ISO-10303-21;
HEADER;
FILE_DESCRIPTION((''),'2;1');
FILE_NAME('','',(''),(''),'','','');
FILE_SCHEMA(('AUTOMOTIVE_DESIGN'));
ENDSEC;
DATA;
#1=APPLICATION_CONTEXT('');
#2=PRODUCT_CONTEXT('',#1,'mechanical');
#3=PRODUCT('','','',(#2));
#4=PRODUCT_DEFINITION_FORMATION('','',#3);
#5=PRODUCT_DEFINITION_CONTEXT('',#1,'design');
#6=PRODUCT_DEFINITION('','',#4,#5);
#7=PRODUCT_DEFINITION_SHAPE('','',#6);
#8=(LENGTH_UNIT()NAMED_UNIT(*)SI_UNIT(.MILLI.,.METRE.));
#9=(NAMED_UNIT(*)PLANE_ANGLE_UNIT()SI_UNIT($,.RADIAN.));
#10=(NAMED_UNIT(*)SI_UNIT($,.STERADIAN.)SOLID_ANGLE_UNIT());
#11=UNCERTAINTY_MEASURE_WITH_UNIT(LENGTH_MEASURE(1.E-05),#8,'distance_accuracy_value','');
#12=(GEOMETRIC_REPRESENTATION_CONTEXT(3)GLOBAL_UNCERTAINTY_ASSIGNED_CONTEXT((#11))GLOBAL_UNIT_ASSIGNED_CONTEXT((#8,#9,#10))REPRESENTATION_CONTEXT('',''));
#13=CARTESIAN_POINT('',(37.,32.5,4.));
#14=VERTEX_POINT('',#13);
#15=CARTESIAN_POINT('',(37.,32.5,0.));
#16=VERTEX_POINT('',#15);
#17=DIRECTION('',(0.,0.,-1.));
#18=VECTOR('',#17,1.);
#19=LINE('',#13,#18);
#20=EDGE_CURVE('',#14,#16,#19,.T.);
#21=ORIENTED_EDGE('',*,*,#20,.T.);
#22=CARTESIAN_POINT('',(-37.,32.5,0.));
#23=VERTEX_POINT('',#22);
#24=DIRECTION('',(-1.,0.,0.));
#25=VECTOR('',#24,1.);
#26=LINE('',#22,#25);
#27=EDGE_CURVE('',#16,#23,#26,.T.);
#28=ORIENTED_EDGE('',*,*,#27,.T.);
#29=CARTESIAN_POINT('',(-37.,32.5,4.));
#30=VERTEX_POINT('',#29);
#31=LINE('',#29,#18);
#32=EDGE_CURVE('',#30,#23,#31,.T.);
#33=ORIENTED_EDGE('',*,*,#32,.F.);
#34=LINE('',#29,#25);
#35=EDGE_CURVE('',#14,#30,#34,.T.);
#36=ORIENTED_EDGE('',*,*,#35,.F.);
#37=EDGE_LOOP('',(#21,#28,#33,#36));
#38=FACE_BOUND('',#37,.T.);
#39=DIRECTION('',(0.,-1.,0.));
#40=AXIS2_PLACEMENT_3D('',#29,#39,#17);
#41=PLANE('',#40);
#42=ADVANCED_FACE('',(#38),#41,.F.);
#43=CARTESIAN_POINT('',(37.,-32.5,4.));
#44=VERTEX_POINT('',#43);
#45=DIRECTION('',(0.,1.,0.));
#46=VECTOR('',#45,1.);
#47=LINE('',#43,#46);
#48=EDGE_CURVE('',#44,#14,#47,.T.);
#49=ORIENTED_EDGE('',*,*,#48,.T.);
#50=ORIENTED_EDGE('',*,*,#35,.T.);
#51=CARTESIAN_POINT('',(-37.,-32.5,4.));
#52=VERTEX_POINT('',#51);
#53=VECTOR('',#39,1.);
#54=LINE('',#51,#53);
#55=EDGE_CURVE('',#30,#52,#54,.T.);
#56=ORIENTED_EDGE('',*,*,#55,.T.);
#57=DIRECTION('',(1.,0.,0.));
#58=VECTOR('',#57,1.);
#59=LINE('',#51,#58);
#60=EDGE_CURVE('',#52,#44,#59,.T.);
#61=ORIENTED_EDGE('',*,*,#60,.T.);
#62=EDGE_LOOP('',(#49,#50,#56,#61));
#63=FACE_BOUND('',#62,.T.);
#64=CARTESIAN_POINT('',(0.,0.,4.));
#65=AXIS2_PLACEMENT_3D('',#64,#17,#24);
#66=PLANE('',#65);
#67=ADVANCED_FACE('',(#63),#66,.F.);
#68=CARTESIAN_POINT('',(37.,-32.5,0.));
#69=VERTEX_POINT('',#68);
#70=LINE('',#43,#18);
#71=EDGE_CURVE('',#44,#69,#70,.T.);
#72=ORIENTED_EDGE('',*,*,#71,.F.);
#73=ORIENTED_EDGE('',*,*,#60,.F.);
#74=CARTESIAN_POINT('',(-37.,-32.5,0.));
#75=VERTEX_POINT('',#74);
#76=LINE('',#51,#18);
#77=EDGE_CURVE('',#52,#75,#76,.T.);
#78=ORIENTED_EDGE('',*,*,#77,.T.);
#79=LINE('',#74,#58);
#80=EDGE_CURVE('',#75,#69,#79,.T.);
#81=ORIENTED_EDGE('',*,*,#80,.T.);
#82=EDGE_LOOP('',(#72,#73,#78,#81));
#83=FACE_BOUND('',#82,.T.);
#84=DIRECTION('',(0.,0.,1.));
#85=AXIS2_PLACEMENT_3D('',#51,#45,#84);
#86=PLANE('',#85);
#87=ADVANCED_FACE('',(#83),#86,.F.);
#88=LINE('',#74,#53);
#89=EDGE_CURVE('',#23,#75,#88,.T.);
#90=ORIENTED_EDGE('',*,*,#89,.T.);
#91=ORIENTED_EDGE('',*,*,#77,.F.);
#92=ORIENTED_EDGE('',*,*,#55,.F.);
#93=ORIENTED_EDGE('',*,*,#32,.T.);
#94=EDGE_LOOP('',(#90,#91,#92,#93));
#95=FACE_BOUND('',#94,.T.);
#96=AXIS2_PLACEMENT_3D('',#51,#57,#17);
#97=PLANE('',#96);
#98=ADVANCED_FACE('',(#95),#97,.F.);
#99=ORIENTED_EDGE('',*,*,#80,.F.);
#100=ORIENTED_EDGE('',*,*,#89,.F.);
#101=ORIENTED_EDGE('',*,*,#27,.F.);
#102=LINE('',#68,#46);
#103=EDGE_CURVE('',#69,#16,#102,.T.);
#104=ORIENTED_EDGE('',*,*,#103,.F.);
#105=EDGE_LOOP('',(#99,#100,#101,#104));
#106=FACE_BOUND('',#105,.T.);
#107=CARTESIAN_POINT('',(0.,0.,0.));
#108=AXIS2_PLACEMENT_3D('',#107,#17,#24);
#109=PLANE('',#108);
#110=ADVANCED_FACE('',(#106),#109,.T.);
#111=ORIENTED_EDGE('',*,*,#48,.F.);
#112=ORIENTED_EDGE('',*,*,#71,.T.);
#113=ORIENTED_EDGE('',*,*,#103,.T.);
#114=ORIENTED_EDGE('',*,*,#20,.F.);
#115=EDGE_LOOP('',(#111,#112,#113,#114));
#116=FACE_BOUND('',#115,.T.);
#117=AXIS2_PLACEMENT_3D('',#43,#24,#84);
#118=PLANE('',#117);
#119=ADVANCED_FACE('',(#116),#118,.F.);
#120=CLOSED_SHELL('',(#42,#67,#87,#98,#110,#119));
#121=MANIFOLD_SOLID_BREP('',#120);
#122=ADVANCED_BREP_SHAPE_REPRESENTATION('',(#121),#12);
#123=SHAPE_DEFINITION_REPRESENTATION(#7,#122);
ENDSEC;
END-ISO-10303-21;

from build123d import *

# Parameters (mm, degrees)
SKETCH1_W           = 74
SKETCH1_H           = 65
BOSS_EXTRUDE1_DEPTH = 4


with BuildPart() as part:
    # Sketch1 → Boss-Extrude1 (new body)
    with BuildSketch(Plane.XY):
        Rectangle(SKETCH1_W, SKETCH1_H)
    extrude(amount=BOSS_EXTRUDE1_DEPTH)


solid = part.part
